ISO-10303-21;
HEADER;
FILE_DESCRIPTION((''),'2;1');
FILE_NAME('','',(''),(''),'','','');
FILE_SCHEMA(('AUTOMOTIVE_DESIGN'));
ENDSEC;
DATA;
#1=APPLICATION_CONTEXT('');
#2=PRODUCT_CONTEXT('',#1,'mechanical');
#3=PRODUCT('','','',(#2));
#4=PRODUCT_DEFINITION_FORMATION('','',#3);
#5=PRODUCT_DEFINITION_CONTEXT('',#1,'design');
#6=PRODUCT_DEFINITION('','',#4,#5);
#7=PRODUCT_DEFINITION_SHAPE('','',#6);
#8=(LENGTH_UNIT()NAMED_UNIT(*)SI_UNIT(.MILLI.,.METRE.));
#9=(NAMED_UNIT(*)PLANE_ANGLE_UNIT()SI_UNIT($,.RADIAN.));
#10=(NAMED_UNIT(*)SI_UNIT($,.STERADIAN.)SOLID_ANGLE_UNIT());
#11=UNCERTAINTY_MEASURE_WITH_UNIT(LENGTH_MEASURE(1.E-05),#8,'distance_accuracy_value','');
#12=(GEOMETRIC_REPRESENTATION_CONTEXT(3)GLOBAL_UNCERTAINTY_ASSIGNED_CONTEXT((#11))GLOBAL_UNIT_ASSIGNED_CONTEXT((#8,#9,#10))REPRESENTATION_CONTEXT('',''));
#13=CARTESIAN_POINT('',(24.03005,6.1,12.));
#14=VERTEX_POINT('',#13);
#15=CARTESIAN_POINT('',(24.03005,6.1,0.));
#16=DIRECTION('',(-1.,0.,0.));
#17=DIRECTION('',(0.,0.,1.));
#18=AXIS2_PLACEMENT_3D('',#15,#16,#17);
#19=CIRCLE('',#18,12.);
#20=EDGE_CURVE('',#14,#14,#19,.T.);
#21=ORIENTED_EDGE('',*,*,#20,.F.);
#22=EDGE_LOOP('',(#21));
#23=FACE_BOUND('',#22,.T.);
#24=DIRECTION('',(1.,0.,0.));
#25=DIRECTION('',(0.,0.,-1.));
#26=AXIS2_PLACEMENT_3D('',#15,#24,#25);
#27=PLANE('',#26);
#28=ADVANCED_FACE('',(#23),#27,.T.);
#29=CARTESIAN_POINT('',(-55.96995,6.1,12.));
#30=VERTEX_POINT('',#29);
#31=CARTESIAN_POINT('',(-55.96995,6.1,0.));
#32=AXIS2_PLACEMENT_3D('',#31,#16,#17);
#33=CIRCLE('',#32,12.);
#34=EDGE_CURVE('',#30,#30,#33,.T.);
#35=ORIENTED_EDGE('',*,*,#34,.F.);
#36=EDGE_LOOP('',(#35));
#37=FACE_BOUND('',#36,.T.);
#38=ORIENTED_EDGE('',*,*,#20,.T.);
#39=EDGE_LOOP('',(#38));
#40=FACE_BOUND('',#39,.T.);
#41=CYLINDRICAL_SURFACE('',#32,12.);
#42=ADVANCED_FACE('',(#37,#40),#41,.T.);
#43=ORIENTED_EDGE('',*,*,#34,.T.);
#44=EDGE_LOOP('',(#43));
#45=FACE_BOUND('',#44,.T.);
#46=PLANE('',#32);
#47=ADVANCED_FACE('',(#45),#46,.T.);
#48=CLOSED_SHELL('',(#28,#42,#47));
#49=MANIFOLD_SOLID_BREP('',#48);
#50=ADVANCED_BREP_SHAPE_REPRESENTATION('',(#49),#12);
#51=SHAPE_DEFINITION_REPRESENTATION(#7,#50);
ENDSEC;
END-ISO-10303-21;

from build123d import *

# Parameters (mm, degrees)
SKETCH1_W = 80
SKETCH1_H = 12


with BuildPart() as part:
    # Sketch1 → Revolve1 (revolve)
    with BuildSketch(Plane.XY, mode=Mode.PRIVATE) as revolve1_sk:
        with Locations((-15.969949917, 0.1)):
            Rectangle(SKETCH1_W, SKETCH1_H)
    revolve(revolve1_sk.sketch.rotate(Axis((-55.969949917, 6.1, 0), (1, 0, 0)), 270), axis=Axis((-55.969949917, 6.1, 0), (1, 0, 0)))


solid = part.part
